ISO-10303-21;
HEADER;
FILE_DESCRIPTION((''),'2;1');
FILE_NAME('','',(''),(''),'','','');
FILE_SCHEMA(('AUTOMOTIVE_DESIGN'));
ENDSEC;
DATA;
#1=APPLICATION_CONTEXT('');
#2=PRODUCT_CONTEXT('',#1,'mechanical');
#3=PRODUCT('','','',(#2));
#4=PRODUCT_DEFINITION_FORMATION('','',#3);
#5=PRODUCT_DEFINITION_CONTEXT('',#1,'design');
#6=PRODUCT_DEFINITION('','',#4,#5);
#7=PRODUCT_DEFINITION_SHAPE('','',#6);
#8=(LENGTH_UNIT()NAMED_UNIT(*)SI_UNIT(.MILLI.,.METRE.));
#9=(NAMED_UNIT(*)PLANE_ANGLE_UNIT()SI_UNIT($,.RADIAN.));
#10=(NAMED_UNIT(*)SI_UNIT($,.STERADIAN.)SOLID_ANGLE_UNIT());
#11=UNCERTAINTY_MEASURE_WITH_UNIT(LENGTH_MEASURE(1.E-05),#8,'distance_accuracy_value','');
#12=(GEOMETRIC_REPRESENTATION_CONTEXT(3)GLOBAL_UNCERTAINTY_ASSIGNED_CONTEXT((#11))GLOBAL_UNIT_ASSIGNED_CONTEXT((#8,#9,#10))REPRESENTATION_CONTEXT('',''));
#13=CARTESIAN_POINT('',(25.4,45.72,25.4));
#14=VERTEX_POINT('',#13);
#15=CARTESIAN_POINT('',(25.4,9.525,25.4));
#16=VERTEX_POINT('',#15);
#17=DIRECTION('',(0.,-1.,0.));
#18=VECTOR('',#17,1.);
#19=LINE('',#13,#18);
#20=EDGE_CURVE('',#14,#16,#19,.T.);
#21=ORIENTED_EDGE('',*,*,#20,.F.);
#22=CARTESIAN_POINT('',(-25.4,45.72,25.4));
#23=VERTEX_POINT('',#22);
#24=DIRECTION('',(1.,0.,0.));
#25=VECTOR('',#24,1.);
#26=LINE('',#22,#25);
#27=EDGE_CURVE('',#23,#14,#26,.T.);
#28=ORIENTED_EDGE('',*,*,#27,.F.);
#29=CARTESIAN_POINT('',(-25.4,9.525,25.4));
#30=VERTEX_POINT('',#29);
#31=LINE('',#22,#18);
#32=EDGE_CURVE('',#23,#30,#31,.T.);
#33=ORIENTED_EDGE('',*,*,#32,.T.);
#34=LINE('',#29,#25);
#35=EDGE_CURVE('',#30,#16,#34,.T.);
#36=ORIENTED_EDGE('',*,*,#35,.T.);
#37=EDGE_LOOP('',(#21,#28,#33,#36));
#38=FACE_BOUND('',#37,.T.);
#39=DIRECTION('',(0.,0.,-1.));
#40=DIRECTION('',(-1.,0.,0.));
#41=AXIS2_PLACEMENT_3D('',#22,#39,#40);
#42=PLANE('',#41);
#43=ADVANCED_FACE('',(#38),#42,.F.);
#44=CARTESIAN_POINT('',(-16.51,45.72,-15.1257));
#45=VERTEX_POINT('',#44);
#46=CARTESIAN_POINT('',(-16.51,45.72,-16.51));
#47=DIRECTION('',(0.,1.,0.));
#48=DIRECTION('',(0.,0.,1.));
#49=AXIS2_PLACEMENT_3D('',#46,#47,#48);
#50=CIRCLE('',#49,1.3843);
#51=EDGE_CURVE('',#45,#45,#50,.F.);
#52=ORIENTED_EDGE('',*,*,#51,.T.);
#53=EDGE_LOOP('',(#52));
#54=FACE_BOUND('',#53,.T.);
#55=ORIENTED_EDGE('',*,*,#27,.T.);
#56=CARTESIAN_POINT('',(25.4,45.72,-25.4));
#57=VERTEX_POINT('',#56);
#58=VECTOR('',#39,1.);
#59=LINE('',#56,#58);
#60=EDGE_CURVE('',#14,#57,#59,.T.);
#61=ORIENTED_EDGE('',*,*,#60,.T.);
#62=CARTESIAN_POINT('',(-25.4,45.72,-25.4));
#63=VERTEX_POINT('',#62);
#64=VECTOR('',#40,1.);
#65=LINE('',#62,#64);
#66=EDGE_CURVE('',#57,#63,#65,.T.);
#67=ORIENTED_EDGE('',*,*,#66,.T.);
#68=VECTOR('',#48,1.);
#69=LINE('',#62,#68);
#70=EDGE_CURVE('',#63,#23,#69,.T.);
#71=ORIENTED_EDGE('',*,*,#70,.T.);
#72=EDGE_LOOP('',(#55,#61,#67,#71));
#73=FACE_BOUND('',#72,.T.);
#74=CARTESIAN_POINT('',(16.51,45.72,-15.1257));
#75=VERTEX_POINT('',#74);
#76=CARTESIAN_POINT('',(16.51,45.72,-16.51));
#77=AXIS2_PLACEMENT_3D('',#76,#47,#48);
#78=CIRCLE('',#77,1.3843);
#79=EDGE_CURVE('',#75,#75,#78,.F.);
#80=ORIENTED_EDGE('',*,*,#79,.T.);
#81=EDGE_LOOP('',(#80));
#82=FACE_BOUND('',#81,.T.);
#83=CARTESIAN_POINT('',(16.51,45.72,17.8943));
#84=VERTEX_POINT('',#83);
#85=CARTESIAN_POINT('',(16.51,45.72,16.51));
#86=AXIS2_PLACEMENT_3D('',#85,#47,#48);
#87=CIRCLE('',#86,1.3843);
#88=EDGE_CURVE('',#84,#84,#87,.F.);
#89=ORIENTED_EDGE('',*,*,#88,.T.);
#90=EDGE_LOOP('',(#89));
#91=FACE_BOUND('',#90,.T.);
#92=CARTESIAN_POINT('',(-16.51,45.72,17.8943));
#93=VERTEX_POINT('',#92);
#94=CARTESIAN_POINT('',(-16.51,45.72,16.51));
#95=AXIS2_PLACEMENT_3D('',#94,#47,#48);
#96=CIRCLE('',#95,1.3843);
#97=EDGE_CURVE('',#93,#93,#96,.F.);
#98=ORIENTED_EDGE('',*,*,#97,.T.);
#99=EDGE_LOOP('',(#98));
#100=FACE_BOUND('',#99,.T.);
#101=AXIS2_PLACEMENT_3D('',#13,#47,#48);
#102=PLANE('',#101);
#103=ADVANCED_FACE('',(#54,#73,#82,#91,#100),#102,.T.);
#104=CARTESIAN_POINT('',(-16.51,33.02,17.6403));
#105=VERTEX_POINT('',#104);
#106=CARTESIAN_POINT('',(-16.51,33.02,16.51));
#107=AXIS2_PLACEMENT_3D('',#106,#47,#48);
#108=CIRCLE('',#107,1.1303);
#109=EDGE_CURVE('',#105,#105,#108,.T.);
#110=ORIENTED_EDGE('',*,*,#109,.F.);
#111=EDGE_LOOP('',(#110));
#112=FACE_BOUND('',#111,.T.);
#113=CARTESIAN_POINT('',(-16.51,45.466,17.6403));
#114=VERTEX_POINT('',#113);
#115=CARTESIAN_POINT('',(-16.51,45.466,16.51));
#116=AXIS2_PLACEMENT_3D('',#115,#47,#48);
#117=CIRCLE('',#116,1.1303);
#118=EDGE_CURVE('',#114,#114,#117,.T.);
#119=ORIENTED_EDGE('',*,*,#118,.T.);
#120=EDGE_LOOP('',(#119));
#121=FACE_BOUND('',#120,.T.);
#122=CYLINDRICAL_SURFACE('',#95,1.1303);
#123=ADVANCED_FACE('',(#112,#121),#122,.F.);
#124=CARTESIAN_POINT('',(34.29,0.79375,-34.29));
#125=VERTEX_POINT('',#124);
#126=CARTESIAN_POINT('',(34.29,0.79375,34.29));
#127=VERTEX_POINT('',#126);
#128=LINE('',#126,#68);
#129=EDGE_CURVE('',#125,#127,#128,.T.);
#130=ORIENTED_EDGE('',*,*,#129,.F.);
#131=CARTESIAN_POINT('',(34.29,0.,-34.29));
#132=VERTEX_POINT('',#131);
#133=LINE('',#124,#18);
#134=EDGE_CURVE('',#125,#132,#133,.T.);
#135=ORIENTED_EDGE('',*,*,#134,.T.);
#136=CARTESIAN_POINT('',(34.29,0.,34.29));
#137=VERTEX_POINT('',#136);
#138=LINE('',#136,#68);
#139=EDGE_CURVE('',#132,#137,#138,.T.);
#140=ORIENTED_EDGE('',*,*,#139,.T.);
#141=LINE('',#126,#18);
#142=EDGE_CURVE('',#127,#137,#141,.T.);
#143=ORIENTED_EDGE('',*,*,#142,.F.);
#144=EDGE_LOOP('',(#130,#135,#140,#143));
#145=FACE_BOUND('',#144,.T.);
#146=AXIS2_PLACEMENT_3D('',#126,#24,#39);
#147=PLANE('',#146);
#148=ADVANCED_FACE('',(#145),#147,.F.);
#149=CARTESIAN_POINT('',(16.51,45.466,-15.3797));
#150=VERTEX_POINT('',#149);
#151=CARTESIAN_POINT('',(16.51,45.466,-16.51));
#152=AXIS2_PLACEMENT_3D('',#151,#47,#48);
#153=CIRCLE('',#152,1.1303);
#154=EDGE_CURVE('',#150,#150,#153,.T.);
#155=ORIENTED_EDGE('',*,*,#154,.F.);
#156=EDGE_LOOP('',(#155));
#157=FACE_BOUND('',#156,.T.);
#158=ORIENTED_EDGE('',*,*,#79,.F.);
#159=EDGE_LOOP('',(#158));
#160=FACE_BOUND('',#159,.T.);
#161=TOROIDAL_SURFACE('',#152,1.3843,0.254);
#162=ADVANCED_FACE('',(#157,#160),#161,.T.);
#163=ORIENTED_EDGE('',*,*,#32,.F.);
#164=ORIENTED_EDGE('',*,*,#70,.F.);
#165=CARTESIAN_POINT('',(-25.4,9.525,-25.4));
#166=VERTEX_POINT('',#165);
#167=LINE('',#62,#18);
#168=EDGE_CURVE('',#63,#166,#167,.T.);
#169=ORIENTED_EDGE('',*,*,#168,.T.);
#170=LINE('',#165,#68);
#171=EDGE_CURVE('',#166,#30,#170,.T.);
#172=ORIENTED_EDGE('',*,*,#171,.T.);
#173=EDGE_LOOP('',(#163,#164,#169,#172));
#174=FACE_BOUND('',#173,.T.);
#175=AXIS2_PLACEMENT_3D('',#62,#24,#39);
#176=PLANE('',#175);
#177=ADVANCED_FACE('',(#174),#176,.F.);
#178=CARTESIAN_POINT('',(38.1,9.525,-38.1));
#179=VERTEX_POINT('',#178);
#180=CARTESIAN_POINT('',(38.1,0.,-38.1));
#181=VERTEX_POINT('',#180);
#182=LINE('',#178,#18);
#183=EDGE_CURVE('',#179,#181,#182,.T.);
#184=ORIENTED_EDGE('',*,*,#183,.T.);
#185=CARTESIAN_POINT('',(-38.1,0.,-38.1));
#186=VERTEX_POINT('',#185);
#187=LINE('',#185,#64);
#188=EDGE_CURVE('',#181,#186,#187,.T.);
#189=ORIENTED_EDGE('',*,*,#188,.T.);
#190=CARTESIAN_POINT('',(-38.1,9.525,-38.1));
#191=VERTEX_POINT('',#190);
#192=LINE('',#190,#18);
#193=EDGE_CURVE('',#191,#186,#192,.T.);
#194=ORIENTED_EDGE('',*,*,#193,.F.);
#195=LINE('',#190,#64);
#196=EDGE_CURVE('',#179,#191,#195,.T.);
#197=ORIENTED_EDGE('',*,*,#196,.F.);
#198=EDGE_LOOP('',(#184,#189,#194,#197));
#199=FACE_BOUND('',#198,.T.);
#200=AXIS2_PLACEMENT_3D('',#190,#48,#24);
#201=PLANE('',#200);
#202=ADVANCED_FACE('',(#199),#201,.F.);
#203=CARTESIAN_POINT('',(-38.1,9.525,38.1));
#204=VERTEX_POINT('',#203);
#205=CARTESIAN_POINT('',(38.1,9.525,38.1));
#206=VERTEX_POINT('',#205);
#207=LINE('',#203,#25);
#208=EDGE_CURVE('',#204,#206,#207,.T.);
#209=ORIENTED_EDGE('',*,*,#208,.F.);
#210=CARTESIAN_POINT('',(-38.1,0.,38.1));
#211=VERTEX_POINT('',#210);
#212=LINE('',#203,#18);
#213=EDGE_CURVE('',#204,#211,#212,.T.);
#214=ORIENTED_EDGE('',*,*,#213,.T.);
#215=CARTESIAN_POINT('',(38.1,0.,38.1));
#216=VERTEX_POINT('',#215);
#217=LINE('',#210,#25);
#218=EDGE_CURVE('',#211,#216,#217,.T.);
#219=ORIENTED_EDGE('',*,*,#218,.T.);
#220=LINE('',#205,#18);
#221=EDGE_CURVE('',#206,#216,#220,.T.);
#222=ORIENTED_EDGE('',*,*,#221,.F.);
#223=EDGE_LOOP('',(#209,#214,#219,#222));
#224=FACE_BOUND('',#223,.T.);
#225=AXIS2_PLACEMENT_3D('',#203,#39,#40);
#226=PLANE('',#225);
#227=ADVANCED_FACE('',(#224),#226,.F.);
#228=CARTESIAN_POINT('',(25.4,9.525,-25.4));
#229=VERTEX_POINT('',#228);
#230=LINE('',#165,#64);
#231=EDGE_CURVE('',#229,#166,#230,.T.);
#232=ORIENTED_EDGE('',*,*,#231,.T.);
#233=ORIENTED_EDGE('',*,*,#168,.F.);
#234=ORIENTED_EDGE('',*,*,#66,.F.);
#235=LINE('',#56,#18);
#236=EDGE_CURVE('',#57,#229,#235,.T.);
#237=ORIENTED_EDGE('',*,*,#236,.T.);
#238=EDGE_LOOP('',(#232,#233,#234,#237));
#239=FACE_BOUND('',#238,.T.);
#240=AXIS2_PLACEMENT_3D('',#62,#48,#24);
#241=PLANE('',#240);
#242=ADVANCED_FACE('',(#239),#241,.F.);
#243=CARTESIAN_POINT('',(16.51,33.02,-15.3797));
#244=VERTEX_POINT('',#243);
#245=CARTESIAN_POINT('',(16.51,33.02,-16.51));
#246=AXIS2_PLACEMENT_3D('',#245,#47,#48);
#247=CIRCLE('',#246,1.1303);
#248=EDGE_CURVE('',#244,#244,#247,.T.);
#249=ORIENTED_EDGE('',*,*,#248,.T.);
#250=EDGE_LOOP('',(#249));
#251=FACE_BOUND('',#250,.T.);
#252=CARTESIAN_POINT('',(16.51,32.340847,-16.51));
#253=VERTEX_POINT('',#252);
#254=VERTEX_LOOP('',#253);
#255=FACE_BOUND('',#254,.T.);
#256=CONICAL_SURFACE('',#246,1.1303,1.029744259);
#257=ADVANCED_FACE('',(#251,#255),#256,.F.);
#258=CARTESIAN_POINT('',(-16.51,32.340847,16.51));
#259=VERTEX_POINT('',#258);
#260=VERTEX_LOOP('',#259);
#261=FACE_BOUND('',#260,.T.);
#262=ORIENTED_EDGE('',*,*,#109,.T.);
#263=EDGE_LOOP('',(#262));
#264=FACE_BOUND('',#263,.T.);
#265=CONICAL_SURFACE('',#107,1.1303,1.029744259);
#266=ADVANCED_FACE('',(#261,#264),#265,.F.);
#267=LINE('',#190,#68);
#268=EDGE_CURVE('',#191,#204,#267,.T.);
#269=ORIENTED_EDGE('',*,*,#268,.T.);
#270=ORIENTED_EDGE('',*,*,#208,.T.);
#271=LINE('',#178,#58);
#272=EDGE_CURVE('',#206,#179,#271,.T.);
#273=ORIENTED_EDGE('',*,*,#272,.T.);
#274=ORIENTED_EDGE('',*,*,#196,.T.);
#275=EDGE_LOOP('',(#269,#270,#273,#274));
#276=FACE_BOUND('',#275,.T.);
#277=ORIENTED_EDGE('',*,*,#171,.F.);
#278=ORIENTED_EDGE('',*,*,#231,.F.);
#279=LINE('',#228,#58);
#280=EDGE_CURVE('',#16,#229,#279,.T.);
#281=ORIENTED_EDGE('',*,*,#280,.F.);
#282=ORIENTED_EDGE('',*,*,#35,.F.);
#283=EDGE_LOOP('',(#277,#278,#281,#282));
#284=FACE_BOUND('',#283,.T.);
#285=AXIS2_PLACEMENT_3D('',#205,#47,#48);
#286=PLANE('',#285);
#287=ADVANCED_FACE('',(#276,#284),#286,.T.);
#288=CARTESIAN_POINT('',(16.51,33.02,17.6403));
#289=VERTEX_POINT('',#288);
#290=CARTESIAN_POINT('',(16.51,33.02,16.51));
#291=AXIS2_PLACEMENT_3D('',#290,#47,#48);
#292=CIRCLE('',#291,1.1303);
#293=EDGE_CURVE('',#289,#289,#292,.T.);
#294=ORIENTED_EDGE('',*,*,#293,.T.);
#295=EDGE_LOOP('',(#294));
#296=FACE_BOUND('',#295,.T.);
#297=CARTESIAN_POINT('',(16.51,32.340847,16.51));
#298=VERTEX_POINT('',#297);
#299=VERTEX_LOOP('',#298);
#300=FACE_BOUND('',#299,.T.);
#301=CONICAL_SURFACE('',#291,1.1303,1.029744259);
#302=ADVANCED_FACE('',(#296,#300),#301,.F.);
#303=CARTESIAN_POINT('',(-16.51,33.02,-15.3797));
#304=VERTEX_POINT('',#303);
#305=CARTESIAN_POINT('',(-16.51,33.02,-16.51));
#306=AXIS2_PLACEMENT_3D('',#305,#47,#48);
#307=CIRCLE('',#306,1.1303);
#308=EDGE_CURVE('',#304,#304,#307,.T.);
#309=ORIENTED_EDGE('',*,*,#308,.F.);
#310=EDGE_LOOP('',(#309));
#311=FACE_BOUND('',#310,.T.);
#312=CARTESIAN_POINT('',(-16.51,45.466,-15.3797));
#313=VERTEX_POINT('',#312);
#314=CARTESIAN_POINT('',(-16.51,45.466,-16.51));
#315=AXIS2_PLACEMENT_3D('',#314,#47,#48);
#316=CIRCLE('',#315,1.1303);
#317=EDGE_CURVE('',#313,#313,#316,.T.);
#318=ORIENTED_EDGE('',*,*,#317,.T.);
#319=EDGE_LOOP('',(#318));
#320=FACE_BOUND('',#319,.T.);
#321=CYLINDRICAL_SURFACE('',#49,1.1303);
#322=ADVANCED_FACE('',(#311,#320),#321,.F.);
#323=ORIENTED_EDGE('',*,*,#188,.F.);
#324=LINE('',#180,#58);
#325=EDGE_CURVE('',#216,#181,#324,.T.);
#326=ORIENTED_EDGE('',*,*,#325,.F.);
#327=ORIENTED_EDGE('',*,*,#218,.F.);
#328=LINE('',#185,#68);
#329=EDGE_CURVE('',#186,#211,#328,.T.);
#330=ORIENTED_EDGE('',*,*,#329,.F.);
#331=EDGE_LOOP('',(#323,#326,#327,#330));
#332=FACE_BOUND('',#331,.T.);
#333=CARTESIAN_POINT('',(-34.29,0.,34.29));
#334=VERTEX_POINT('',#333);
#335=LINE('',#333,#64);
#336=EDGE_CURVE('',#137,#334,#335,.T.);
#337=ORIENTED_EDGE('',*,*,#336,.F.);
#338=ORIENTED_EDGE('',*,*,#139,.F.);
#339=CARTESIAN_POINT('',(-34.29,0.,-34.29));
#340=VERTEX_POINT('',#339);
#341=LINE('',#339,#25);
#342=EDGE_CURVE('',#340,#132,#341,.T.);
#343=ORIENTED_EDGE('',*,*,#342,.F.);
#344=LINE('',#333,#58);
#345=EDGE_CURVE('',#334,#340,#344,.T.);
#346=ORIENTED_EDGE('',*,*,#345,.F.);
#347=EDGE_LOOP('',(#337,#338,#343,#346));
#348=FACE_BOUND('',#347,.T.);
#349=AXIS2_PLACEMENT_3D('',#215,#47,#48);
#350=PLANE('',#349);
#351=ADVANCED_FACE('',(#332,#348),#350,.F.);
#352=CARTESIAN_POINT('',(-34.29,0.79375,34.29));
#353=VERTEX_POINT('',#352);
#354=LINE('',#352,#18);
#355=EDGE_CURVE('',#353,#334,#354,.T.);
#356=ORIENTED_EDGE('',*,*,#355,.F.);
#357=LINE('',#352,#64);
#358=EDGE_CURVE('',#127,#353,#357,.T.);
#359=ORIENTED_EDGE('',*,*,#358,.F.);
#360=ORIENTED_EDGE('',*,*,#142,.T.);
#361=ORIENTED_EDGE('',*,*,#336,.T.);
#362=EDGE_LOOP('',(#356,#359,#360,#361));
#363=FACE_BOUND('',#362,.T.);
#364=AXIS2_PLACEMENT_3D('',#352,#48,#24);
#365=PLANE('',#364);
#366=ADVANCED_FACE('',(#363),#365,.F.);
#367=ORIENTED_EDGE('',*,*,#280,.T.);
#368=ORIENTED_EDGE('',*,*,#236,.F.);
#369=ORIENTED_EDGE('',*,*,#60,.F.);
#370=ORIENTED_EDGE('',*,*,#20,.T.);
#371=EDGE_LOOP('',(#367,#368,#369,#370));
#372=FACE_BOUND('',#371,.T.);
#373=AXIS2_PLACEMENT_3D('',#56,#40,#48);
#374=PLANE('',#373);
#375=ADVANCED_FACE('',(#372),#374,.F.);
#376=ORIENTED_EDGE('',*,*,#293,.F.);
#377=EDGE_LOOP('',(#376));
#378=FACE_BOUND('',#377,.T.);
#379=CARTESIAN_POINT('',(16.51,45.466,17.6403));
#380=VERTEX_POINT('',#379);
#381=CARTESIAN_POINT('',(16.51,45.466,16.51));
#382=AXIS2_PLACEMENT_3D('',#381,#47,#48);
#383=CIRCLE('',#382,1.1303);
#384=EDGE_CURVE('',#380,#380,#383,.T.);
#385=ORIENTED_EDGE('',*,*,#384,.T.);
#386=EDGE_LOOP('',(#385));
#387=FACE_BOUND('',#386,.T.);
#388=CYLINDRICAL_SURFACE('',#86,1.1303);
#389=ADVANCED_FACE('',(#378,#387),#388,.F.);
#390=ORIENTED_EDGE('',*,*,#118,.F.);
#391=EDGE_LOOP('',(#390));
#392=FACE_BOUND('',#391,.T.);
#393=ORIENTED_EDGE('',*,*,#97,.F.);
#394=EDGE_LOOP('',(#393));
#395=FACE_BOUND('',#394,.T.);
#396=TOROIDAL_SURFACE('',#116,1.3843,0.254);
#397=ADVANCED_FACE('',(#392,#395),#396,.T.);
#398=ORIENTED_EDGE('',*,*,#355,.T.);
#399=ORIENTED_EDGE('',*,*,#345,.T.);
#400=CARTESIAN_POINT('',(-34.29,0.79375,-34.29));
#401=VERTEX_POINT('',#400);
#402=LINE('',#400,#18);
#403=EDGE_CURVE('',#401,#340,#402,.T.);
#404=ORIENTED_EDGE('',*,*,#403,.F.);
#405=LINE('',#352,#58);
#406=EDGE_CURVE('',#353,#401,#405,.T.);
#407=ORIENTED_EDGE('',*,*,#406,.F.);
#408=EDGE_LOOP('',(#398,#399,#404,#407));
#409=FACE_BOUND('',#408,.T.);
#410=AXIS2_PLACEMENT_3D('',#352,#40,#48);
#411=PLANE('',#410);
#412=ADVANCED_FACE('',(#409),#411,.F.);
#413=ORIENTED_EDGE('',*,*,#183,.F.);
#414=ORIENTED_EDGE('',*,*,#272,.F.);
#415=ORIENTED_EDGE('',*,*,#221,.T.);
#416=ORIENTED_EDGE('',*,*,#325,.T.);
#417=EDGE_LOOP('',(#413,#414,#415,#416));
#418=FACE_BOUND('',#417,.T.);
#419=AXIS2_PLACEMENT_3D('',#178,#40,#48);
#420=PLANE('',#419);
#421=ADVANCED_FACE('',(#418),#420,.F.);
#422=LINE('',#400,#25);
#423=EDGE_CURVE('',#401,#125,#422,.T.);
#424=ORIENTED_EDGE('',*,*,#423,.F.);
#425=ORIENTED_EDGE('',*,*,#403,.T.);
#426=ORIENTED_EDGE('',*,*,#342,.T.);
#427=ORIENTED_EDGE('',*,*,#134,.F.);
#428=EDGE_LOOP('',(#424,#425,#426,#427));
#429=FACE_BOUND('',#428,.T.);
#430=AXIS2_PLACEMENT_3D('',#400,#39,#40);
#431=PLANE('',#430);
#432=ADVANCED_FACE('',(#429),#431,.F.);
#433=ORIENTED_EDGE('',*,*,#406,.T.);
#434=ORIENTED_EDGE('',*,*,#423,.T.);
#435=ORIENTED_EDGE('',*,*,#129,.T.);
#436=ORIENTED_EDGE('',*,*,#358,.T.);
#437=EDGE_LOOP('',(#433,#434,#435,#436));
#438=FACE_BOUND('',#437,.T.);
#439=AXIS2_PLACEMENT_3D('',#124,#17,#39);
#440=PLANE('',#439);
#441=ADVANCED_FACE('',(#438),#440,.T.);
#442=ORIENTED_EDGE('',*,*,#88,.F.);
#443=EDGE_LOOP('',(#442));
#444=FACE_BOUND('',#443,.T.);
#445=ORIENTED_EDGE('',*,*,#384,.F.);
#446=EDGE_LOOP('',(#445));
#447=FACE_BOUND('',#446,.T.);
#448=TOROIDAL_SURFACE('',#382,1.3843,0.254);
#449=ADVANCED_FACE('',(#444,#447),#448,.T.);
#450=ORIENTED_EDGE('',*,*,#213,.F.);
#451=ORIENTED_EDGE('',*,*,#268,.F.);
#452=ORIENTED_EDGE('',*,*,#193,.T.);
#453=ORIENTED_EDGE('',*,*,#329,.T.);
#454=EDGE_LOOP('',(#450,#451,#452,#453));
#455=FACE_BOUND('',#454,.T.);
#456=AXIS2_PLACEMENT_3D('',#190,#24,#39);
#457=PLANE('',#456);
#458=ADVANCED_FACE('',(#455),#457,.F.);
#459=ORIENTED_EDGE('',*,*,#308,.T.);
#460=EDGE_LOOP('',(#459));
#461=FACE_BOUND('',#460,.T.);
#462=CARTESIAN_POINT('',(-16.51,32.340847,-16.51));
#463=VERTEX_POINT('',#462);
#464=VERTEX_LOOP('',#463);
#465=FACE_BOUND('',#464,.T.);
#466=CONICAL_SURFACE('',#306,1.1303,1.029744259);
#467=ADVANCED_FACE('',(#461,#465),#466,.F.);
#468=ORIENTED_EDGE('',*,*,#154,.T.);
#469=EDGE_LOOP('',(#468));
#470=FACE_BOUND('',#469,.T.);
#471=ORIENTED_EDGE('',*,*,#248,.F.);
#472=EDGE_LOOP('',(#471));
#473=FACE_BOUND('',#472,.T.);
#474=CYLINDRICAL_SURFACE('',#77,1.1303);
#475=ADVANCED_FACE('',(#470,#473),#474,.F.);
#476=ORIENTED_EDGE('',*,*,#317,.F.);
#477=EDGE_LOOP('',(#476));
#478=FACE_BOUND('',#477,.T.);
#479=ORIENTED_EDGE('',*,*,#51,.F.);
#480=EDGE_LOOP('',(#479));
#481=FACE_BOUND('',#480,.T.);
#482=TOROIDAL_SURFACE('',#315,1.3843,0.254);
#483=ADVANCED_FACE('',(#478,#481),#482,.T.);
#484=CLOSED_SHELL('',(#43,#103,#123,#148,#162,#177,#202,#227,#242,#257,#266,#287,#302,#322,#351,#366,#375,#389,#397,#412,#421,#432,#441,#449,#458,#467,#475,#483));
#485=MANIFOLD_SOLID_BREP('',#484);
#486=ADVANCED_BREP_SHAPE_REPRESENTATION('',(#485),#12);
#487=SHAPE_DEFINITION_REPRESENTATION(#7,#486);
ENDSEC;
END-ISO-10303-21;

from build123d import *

# Parameters (mm, degrees)
SKETCH1_W                 = 76.2
SKETCH1_H                 = 76.2
EXTRUDE1_DEPTH            = 9.525
SKETCH2_W                 = 68.58
SKETCH2_H                 = 68.58
EXTRUDE2_DEPTH            = 0.79375
SKETCH6_W                 = 50.8
SKETCH6_H                 = 50.8
EXTRUDE4_DEPTH            = 36.195
F_4_40_TAPPED_HOLE1_D     = 2.2606
F_4_40_TAPPED_HOLE1_DEPTH = 12.7
F_4_40_TAPPED_HOLE1_TIP   = 0.679152758
FILLET1_R                 = 0.254


with BuildPart() as part:
    # Sketch1 → Extrude1 (new body)
    with BuildSketch(Plane(origin=(0, 0, 0), x_dir=(1, 0, 0), z_dir=(0, 1, 0))):
        Rectangle(SKETCH1_W, SKETCH1_H)
    extrude(amount=EXTRUDE1_DEPTH)

    # Sketch2 → Extrude2 (cut)
    with BuildSketch(Plane.XZ):
        Rectangle(SKETCH2_W, SKETCH2_H)
    extrude(amount=-EXTRUDE2_DEPTH, mode=Mode.SUBTRACT)

    # Sketch6 → Extrude4 (add)
    with BuildSketch(Plane(origin=(0, 9.525, 0), x_dir=(1, 0, 0), z_dir=(0, 1, 0))):
        Rectangle(SKETCH6_W, SKETCH6_H)
    extrude(amount=EXTRUDE4_DEPTH)

    # #4-40 Tapped Hole1
    with Locations(Plane(origin=(-16.51, 45.72, -16.51), x_dir=(0, 0, 1), z_dir=(0, 1, 0))):
        with Locations((0, 0), (33.02, 0), (33.02, 33.02), (0, 33.02)):
            Hole(F_4_40_TAPPED_HOLE1_D / 2, depth=F_4_40_TAPPED_HOLE1_DEPTH)
            with Locations((0, 0, -(F_4_40_TAPPED_HOLE1_DEPTH + F_4_40_TAPPED_HOLE1_TIP / 2))):  # 118° drill point
                Cone(0, F_4_40_TAPPED_HOLE1_D / 2, F_4_40_TAPPED_HOLE1_TIP, mode=Mode.SUBTRACT)

    # Fillet1
    fillet1_edges = [part.edges().sort_by_distance(p)[0] for p in [
        (16.51, 45.72, -15.3797),
        (16.51, 45.72, 17.6403),
        (-16.51, 45.72, 17.6403),
        (-16.51, 45.72, -15.3797),
    ]]
    fillet(fillet1_edges, radius=FILLET1_R)


solid = part.part
